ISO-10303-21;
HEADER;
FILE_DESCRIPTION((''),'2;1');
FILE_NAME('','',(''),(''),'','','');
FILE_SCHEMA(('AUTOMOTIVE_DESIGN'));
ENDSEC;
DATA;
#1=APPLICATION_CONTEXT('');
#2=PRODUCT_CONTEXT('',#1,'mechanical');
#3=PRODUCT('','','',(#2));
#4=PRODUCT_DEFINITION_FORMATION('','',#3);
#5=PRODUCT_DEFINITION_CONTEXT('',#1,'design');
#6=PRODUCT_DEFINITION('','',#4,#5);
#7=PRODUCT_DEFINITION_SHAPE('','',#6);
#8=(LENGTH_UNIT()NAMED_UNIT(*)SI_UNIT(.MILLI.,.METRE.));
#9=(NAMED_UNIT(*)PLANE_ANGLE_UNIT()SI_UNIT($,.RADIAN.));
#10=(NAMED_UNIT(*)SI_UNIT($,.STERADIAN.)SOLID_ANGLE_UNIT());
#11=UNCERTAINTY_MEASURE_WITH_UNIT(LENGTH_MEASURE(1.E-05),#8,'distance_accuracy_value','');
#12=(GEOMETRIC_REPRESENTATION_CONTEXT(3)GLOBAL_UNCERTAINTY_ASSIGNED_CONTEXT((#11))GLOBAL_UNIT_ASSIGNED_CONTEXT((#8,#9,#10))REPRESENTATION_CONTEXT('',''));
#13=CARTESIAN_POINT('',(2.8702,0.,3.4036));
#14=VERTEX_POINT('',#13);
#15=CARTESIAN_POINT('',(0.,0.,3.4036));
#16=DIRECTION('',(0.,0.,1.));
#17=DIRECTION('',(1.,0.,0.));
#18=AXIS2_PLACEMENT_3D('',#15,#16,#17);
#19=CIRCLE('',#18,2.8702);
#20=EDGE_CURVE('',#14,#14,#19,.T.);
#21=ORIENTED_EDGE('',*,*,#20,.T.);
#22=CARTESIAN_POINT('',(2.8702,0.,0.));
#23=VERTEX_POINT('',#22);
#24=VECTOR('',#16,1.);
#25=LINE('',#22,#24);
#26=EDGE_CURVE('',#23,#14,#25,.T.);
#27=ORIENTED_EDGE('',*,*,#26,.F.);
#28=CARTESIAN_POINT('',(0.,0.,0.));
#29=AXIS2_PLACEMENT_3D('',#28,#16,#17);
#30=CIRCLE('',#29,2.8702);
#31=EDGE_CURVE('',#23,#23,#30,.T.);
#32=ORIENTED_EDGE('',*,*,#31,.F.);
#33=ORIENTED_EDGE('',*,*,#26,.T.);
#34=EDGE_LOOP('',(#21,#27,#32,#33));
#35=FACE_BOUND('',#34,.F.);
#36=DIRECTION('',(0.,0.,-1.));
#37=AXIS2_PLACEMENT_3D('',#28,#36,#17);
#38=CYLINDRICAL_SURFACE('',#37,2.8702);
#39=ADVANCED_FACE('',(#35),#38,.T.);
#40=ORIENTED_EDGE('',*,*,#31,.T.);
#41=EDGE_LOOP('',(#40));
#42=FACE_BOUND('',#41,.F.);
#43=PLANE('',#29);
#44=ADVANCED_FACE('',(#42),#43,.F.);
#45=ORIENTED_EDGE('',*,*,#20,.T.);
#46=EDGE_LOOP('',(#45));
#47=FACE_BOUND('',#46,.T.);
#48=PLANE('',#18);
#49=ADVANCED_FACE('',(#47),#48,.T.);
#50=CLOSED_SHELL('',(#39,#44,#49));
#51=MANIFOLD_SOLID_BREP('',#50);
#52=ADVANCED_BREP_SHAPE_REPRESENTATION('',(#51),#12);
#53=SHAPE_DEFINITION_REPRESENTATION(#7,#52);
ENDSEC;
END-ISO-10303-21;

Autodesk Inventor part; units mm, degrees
ref_plane "YZ Plane" through (0, 0, 0) normal (1, 0, 0) x (0, 1, 0)
ref_plane "XZ Plane" through (0, 0, 0) normal (0, 1, 0) x (-1, 0, 0)
ref_plane "XY Plane" through (0, 0, 0) normal (0, 0, 1) x (1, 0, 0)
sketch "Sketch1" plane through (0, 0, 0) normal (0, 0, 1) x (1, 0, 0)
  circle A0 centre (0, 0) radius 2.8702
  dimension "d0" = 5.7404
extrude "Extrusion1" add sketch "Sketch1" along normal blind 3.4036
properties part number "HitecServoNub" material "Silver"
